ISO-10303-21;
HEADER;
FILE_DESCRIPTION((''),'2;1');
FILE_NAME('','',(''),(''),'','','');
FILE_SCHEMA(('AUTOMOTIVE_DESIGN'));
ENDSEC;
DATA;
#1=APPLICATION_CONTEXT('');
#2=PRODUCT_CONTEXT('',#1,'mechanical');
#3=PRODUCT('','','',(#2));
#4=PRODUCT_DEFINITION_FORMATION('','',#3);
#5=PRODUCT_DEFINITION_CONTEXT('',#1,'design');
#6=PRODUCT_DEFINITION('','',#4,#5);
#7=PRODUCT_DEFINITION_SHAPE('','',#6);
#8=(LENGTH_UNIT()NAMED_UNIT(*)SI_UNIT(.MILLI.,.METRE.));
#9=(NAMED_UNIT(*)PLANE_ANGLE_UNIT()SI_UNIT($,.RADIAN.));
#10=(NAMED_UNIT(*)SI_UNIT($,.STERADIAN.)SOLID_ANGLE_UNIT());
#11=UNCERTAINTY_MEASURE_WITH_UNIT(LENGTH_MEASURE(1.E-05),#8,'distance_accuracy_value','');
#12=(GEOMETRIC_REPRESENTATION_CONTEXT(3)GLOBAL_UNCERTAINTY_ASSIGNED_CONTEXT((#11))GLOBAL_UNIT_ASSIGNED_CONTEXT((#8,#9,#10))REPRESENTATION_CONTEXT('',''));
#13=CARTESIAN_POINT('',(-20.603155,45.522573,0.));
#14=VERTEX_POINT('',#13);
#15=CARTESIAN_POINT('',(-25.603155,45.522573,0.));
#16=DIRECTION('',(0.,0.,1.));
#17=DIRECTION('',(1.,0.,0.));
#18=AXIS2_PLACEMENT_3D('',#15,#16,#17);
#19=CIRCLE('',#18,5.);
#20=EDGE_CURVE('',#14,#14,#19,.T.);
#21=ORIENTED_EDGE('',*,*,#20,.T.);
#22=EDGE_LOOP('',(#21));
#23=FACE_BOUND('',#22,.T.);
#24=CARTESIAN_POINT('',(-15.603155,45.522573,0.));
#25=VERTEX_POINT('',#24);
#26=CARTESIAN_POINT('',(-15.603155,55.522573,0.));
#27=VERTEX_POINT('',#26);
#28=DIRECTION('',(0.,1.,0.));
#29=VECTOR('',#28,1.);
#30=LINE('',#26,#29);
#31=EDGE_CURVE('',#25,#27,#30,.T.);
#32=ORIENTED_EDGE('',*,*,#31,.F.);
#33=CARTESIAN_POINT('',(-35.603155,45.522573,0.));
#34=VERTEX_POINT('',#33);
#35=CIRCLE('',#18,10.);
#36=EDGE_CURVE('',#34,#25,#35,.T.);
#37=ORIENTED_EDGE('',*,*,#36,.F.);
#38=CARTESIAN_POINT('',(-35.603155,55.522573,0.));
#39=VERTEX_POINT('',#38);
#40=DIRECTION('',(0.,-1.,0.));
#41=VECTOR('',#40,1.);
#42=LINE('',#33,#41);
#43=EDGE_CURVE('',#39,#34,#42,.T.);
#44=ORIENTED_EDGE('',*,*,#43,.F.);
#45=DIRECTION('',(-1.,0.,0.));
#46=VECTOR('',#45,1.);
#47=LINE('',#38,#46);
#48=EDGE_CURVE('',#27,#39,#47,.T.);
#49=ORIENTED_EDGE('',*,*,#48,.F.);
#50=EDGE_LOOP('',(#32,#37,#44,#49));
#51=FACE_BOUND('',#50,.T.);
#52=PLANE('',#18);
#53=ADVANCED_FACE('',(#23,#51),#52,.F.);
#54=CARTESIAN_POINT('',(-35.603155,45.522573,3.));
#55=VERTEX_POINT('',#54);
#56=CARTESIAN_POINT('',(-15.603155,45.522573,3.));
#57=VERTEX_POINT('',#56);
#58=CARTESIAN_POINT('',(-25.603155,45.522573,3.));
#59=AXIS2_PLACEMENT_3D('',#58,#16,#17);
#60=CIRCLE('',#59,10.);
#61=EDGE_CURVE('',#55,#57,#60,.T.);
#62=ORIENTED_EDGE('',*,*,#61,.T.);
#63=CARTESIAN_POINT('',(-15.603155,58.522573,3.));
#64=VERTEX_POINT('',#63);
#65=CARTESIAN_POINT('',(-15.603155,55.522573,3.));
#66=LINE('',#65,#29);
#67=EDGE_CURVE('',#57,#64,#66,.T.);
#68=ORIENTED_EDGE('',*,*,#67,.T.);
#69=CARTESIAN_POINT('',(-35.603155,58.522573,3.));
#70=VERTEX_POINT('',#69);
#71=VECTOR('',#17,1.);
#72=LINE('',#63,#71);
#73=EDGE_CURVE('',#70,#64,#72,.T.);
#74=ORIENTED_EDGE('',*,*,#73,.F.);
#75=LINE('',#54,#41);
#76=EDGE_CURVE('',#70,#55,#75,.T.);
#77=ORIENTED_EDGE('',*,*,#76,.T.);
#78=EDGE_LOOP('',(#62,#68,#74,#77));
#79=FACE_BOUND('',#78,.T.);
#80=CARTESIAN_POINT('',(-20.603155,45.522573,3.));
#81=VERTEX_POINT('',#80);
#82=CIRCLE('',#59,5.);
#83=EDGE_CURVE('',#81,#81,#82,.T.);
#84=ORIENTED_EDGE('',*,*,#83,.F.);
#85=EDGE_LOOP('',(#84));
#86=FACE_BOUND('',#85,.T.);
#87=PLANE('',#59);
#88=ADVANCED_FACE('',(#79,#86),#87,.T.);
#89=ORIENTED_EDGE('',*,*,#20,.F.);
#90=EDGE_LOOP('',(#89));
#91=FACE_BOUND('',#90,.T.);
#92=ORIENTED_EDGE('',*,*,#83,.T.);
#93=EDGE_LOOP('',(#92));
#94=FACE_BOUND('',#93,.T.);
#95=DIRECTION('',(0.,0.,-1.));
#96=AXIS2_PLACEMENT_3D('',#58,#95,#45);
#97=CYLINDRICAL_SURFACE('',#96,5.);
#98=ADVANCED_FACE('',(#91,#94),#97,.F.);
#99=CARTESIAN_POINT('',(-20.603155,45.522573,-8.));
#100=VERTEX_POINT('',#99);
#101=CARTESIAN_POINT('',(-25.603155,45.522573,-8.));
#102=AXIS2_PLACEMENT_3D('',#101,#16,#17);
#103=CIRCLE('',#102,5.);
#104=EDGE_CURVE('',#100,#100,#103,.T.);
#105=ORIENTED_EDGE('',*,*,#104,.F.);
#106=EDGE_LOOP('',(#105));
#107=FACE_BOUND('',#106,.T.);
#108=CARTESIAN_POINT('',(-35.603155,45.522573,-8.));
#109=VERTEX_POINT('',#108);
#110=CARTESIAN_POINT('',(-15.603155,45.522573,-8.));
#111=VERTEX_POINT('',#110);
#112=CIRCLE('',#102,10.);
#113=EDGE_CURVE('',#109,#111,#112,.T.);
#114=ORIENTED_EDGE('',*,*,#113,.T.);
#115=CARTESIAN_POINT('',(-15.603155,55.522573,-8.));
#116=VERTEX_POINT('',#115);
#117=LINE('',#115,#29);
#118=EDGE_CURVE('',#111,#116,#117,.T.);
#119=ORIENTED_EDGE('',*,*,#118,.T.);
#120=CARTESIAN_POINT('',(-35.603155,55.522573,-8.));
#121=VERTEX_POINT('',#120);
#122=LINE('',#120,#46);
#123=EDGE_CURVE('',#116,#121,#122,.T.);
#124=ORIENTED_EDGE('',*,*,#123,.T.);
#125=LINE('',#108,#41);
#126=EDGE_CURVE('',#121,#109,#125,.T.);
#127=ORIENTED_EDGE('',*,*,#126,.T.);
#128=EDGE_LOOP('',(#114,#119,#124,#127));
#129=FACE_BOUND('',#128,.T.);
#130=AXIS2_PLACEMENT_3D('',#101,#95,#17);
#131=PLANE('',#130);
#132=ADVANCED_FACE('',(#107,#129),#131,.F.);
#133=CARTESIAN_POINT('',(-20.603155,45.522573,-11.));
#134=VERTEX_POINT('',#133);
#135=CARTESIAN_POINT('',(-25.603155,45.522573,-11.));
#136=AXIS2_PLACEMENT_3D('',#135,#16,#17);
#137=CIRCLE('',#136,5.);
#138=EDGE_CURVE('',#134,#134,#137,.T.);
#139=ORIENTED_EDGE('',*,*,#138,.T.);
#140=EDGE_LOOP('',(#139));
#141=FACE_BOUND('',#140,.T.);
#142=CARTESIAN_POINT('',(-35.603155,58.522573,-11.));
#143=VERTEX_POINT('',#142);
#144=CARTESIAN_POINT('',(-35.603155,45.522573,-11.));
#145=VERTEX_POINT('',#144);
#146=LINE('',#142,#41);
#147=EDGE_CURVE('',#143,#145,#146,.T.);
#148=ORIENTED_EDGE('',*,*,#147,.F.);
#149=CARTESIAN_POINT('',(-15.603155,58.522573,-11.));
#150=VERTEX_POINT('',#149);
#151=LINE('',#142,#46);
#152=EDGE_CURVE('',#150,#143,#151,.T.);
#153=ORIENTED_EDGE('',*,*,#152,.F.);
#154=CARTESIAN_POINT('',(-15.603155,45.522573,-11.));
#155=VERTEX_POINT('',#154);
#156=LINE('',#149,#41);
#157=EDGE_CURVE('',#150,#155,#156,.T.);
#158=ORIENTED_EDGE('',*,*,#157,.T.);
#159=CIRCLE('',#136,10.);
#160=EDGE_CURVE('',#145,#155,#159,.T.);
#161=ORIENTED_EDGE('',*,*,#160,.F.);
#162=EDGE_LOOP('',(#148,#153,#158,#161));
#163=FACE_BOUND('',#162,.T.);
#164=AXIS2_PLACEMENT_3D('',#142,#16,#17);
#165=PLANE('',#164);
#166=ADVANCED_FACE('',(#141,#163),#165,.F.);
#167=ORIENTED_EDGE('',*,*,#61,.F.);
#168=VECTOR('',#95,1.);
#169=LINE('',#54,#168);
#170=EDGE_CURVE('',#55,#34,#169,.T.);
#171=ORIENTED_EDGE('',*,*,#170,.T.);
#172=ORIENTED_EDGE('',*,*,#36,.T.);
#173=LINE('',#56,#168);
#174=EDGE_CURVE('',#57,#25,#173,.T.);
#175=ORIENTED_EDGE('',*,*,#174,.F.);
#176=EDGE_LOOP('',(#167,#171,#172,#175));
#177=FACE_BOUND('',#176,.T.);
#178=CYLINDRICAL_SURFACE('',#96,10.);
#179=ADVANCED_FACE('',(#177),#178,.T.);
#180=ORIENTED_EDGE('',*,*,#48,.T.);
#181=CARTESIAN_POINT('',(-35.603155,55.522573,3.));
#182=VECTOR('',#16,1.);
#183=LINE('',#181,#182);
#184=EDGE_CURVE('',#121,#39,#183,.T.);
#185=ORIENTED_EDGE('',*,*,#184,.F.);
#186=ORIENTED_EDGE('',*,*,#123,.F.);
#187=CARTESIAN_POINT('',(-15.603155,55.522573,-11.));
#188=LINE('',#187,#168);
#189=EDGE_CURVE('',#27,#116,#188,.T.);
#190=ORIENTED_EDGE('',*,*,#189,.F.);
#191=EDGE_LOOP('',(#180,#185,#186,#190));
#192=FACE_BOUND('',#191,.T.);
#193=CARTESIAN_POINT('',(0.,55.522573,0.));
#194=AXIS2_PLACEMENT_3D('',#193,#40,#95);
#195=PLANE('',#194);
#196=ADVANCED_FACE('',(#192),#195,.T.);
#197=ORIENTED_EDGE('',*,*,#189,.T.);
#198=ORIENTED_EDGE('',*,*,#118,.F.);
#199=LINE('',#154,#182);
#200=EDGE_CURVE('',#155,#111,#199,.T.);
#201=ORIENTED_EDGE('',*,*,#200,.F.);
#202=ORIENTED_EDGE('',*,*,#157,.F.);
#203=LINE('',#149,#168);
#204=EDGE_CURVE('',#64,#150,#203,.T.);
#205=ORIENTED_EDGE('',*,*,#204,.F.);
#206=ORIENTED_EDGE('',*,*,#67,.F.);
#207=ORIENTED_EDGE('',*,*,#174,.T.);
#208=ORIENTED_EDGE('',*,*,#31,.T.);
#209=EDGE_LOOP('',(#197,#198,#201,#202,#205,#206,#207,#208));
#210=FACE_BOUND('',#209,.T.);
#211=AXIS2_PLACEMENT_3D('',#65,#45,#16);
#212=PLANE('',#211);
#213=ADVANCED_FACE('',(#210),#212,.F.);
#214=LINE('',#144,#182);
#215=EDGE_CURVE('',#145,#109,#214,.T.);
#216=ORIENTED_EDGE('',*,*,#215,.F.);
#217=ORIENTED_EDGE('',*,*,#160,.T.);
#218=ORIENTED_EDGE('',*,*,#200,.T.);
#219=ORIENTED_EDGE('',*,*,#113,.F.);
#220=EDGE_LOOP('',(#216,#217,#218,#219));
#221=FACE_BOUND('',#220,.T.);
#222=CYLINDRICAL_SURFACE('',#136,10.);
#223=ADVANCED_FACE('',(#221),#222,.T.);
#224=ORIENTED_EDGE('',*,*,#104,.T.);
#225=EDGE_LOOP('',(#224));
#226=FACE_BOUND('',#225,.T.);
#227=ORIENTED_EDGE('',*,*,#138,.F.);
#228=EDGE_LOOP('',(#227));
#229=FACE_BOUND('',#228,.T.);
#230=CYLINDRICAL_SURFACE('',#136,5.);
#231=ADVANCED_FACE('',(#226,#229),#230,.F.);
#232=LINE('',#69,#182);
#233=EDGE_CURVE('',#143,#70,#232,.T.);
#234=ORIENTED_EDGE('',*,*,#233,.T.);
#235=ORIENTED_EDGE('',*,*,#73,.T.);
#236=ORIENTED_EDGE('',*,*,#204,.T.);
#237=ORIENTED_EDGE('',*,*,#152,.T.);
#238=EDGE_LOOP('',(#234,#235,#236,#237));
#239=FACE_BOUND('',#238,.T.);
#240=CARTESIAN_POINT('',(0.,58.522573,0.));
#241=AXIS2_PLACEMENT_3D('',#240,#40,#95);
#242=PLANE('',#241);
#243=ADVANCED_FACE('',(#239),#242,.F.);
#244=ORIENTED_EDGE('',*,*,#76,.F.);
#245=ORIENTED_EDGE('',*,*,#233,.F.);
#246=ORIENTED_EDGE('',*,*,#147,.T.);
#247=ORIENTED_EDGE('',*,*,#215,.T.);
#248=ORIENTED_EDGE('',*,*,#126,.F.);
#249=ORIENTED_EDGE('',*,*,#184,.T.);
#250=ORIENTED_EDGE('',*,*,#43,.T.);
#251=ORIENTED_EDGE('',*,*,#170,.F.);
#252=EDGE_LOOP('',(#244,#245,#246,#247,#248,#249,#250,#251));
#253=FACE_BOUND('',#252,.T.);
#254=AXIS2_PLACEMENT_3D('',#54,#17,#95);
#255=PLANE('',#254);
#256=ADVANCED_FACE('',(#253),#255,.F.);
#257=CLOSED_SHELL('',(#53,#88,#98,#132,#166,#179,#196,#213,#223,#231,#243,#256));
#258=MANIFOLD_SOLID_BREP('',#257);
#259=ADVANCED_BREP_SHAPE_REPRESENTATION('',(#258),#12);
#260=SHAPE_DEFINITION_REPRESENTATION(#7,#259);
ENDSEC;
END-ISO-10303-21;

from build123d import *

# Parameters (mm, degrees)
SKETCH_1_R      = 5
EXTRUDE_1_DEPTH = 3
SKETCH_2_W      = 20
SKETCH_2_H      = 14
EXTRUDE_2_DEPTH = 3


with BuildPart() as part:
    # 草图1 → 凸台-拉伸1 (new body)
    with BuildSketch(Plane.XY):
        with BuildLine():
            Line((-35.60315534, 55.522572816), (-15.60315534, 55.522572816))
            Line((-15.60315534, 55.522572816), (-15.60315534, 45.522572816))
            ThreePointArc((-15.60315534, 45.522572816), (-25.60315534, 35.522572816), (-35.60315534, 45.522572816))
            Line((-35.60315534, 45.522572816), (-35.60315534, 55.522572816))
        make_face()
        with Locations((-25.60315534, 45.522572816)):
            Circle(SKETCH_1_R, mode=Mode.SUBTRACT)
    extrude_1 = extrude(amount=EXTRUDE_1_DEPTH)

    # 草图2 → 凸台-拉伸2 (add)
    with BuildSketch(Plane(origin=(0, 55.522572816, 0), x_dir=(1, 0, 0), z_dir=(0, 1, 0))):
        with Locations((-25.60315534, 4)):
            Rectangle(SKETCH_2_W, SKETCH_2_H)
    extrude(amount=EXTRUDE_2_DEPTH)

    # 镜向1: 凸台-拉伸1 across plane
    add(extrude_1.mirror(Plane(origin=(0, 0, -4), x_dir=(1, 0, 0), z_dir=(0, 0, -1))))


solid = part.part
